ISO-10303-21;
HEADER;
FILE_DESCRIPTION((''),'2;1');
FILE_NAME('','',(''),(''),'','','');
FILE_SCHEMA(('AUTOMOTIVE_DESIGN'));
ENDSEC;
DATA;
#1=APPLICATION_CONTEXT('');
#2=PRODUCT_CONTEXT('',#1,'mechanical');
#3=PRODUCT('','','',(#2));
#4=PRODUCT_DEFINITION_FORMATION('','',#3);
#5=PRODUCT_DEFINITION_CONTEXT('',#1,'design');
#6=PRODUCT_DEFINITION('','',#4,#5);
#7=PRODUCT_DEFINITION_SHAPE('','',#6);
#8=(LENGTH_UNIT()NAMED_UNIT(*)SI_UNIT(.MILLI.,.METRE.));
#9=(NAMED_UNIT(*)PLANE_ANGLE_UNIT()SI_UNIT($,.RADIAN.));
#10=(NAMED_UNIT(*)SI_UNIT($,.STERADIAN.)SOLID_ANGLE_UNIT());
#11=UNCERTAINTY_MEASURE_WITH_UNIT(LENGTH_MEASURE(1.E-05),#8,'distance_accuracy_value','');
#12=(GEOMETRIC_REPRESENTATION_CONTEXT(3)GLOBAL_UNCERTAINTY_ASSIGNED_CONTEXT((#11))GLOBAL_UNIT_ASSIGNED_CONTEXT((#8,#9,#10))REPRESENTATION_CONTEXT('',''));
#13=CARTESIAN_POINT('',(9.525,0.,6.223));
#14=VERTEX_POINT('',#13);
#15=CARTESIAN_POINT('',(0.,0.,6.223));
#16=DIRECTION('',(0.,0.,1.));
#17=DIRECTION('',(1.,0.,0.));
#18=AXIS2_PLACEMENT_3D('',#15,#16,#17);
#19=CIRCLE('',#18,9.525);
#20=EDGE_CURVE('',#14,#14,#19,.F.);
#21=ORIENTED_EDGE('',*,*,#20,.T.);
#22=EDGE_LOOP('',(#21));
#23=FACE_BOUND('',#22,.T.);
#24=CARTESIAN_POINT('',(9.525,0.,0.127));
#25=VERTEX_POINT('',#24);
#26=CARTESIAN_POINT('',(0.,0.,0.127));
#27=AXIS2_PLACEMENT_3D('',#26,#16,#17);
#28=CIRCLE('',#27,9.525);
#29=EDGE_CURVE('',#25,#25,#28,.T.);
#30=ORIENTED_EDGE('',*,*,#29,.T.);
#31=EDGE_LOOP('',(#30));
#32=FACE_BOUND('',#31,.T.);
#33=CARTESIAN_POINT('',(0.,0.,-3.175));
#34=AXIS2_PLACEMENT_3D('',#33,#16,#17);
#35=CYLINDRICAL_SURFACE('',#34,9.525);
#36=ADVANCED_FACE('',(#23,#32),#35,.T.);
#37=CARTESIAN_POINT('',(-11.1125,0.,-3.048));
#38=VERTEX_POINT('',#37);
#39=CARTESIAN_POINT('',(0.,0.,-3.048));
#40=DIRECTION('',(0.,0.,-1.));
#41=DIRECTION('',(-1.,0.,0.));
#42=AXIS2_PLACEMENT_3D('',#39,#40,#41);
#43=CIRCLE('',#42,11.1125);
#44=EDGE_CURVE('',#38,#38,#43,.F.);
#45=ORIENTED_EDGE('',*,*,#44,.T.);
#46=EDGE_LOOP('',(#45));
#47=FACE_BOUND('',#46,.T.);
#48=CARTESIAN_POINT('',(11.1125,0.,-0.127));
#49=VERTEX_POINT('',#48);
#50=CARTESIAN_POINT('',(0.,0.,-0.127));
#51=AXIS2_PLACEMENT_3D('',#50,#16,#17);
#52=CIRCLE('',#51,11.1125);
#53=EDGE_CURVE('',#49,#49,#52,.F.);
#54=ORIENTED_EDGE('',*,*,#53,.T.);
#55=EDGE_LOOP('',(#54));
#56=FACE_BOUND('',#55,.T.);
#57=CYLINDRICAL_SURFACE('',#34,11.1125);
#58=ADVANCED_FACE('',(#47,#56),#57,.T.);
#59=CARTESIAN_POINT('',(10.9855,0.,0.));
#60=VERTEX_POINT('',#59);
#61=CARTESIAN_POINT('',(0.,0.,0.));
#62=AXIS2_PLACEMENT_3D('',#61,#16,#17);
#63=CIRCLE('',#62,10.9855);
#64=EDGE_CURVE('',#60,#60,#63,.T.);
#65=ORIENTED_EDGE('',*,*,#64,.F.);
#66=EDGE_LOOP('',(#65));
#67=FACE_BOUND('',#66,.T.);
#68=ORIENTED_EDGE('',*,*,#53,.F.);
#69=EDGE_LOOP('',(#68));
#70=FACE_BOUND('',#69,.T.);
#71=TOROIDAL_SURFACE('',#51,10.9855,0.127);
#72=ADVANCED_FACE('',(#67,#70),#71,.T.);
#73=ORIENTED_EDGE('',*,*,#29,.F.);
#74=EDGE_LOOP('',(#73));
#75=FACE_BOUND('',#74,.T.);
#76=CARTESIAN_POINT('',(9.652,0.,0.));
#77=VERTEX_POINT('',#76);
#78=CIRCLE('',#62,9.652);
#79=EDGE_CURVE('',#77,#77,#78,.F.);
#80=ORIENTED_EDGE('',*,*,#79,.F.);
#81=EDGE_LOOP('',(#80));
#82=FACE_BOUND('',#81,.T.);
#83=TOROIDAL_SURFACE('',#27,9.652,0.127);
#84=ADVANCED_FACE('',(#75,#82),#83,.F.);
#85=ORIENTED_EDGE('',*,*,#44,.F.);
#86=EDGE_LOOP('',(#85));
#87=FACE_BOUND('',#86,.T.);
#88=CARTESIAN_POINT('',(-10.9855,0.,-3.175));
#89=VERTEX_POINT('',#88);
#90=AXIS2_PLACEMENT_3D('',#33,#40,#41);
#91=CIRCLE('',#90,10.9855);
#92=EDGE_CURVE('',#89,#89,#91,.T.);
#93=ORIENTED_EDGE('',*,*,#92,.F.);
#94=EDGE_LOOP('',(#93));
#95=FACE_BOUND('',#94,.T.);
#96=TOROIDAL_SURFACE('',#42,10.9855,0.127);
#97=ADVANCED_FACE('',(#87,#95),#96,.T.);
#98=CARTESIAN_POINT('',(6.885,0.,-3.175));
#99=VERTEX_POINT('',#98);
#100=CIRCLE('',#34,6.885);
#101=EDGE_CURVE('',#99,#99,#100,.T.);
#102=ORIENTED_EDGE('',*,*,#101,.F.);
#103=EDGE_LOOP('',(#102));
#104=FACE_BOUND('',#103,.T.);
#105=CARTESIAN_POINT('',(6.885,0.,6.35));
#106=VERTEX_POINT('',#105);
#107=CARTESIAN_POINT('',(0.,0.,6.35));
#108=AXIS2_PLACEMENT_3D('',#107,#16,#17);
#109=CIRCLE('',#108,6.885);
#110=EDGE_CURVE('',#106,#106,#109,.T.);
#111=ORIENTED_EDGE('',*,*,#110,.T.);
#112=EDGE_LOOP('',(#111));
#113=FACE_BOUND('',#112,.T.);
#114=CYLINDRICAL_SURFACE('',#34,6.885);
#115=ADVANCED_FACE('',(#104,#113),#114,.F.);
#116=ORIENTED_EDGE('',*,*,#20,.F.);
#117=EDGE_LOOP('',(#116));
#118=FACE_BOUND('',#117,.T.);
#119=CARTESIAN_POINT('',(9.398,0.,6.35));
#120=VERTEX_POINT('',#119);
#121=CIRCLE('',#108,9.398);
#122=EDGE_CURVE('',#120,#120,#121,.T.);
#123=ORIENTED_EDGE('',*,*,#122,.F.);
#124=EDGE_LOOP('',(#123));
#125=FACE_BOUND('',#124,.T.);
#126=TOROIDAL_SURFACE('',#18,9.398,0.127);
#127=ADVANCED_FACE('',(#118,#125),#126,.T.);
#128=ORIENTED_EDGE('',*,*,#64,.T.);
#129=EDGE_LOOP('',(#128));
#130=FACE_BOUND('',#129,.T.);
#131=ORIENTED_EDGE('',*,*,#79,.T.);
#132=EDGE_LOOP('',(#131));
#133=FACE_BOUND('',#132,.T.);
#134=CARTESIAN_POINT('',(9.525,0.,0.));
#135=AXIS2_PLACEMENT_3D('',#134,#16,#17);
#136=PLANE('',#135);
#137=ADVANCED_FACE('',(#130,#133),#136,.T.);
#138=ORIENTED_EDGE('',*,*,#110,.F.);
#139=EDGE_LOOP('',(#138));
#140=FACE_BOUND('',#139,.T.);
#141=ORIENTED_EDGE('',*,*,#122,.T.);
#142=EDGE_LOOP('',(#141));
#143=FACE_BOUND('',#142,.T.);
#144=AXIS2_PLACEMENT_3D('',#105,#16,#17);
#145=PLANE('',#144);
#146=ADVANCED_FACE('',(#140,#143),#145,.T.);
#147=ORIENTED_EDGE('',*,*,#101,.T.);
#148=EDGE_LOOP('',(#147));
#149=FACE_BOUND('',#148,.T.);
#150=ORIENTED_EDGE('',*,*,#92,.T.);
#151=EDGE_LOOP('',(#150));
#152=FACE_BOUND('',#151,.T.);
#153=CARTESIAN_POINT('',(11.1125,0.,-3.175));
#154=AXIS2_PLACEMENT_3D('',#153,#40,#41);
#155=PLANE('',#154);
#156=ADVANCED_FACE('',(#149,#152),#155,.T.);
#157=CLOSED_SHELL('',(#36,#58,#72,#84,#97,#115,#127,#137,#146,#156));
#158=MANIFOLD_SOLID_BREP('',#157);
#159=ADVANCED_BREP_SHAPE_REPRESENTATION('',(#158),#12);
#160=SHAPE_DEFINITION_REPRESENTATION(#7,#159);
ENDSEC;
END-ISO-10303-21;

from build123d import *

# Parameters (mm, degrees)
MINOR_FILLET_SMOOTHING_R = 0.127


with BuildPart() as part:
    # Sketch1 → Revolve1 (revolve)
    with BuildSketch(Plane(origin=(0, 0, 0), x_dir=(1, 0, 0), z_dir=(0, 1, 0))):
        Polygon((6.885, -6.35), (9.525, -6.35), (9.525, 0), (11.1125, 0), (11.1125, 3.175), (6.885, 3.175), align=None)
    revolve(axis=Axis((0, 0, -3.175), (0, 0, 1)))

    # Minor Fillet Smoothing
    minor_fillet_smoothing_edges = [part.edges().sort_by_distance(p)[0] for p in [
        (-11.1125, 0, -3.175),
        (-11.1125, 0, 0),
        (-9.525, 0, 0),
        (-9.525, 0, 6.35),
    ]]
    fillet(minor_fillet_smoothing_edges, radius=MINOR_FILLET_SMOOTHING_R)


solid = part.part
